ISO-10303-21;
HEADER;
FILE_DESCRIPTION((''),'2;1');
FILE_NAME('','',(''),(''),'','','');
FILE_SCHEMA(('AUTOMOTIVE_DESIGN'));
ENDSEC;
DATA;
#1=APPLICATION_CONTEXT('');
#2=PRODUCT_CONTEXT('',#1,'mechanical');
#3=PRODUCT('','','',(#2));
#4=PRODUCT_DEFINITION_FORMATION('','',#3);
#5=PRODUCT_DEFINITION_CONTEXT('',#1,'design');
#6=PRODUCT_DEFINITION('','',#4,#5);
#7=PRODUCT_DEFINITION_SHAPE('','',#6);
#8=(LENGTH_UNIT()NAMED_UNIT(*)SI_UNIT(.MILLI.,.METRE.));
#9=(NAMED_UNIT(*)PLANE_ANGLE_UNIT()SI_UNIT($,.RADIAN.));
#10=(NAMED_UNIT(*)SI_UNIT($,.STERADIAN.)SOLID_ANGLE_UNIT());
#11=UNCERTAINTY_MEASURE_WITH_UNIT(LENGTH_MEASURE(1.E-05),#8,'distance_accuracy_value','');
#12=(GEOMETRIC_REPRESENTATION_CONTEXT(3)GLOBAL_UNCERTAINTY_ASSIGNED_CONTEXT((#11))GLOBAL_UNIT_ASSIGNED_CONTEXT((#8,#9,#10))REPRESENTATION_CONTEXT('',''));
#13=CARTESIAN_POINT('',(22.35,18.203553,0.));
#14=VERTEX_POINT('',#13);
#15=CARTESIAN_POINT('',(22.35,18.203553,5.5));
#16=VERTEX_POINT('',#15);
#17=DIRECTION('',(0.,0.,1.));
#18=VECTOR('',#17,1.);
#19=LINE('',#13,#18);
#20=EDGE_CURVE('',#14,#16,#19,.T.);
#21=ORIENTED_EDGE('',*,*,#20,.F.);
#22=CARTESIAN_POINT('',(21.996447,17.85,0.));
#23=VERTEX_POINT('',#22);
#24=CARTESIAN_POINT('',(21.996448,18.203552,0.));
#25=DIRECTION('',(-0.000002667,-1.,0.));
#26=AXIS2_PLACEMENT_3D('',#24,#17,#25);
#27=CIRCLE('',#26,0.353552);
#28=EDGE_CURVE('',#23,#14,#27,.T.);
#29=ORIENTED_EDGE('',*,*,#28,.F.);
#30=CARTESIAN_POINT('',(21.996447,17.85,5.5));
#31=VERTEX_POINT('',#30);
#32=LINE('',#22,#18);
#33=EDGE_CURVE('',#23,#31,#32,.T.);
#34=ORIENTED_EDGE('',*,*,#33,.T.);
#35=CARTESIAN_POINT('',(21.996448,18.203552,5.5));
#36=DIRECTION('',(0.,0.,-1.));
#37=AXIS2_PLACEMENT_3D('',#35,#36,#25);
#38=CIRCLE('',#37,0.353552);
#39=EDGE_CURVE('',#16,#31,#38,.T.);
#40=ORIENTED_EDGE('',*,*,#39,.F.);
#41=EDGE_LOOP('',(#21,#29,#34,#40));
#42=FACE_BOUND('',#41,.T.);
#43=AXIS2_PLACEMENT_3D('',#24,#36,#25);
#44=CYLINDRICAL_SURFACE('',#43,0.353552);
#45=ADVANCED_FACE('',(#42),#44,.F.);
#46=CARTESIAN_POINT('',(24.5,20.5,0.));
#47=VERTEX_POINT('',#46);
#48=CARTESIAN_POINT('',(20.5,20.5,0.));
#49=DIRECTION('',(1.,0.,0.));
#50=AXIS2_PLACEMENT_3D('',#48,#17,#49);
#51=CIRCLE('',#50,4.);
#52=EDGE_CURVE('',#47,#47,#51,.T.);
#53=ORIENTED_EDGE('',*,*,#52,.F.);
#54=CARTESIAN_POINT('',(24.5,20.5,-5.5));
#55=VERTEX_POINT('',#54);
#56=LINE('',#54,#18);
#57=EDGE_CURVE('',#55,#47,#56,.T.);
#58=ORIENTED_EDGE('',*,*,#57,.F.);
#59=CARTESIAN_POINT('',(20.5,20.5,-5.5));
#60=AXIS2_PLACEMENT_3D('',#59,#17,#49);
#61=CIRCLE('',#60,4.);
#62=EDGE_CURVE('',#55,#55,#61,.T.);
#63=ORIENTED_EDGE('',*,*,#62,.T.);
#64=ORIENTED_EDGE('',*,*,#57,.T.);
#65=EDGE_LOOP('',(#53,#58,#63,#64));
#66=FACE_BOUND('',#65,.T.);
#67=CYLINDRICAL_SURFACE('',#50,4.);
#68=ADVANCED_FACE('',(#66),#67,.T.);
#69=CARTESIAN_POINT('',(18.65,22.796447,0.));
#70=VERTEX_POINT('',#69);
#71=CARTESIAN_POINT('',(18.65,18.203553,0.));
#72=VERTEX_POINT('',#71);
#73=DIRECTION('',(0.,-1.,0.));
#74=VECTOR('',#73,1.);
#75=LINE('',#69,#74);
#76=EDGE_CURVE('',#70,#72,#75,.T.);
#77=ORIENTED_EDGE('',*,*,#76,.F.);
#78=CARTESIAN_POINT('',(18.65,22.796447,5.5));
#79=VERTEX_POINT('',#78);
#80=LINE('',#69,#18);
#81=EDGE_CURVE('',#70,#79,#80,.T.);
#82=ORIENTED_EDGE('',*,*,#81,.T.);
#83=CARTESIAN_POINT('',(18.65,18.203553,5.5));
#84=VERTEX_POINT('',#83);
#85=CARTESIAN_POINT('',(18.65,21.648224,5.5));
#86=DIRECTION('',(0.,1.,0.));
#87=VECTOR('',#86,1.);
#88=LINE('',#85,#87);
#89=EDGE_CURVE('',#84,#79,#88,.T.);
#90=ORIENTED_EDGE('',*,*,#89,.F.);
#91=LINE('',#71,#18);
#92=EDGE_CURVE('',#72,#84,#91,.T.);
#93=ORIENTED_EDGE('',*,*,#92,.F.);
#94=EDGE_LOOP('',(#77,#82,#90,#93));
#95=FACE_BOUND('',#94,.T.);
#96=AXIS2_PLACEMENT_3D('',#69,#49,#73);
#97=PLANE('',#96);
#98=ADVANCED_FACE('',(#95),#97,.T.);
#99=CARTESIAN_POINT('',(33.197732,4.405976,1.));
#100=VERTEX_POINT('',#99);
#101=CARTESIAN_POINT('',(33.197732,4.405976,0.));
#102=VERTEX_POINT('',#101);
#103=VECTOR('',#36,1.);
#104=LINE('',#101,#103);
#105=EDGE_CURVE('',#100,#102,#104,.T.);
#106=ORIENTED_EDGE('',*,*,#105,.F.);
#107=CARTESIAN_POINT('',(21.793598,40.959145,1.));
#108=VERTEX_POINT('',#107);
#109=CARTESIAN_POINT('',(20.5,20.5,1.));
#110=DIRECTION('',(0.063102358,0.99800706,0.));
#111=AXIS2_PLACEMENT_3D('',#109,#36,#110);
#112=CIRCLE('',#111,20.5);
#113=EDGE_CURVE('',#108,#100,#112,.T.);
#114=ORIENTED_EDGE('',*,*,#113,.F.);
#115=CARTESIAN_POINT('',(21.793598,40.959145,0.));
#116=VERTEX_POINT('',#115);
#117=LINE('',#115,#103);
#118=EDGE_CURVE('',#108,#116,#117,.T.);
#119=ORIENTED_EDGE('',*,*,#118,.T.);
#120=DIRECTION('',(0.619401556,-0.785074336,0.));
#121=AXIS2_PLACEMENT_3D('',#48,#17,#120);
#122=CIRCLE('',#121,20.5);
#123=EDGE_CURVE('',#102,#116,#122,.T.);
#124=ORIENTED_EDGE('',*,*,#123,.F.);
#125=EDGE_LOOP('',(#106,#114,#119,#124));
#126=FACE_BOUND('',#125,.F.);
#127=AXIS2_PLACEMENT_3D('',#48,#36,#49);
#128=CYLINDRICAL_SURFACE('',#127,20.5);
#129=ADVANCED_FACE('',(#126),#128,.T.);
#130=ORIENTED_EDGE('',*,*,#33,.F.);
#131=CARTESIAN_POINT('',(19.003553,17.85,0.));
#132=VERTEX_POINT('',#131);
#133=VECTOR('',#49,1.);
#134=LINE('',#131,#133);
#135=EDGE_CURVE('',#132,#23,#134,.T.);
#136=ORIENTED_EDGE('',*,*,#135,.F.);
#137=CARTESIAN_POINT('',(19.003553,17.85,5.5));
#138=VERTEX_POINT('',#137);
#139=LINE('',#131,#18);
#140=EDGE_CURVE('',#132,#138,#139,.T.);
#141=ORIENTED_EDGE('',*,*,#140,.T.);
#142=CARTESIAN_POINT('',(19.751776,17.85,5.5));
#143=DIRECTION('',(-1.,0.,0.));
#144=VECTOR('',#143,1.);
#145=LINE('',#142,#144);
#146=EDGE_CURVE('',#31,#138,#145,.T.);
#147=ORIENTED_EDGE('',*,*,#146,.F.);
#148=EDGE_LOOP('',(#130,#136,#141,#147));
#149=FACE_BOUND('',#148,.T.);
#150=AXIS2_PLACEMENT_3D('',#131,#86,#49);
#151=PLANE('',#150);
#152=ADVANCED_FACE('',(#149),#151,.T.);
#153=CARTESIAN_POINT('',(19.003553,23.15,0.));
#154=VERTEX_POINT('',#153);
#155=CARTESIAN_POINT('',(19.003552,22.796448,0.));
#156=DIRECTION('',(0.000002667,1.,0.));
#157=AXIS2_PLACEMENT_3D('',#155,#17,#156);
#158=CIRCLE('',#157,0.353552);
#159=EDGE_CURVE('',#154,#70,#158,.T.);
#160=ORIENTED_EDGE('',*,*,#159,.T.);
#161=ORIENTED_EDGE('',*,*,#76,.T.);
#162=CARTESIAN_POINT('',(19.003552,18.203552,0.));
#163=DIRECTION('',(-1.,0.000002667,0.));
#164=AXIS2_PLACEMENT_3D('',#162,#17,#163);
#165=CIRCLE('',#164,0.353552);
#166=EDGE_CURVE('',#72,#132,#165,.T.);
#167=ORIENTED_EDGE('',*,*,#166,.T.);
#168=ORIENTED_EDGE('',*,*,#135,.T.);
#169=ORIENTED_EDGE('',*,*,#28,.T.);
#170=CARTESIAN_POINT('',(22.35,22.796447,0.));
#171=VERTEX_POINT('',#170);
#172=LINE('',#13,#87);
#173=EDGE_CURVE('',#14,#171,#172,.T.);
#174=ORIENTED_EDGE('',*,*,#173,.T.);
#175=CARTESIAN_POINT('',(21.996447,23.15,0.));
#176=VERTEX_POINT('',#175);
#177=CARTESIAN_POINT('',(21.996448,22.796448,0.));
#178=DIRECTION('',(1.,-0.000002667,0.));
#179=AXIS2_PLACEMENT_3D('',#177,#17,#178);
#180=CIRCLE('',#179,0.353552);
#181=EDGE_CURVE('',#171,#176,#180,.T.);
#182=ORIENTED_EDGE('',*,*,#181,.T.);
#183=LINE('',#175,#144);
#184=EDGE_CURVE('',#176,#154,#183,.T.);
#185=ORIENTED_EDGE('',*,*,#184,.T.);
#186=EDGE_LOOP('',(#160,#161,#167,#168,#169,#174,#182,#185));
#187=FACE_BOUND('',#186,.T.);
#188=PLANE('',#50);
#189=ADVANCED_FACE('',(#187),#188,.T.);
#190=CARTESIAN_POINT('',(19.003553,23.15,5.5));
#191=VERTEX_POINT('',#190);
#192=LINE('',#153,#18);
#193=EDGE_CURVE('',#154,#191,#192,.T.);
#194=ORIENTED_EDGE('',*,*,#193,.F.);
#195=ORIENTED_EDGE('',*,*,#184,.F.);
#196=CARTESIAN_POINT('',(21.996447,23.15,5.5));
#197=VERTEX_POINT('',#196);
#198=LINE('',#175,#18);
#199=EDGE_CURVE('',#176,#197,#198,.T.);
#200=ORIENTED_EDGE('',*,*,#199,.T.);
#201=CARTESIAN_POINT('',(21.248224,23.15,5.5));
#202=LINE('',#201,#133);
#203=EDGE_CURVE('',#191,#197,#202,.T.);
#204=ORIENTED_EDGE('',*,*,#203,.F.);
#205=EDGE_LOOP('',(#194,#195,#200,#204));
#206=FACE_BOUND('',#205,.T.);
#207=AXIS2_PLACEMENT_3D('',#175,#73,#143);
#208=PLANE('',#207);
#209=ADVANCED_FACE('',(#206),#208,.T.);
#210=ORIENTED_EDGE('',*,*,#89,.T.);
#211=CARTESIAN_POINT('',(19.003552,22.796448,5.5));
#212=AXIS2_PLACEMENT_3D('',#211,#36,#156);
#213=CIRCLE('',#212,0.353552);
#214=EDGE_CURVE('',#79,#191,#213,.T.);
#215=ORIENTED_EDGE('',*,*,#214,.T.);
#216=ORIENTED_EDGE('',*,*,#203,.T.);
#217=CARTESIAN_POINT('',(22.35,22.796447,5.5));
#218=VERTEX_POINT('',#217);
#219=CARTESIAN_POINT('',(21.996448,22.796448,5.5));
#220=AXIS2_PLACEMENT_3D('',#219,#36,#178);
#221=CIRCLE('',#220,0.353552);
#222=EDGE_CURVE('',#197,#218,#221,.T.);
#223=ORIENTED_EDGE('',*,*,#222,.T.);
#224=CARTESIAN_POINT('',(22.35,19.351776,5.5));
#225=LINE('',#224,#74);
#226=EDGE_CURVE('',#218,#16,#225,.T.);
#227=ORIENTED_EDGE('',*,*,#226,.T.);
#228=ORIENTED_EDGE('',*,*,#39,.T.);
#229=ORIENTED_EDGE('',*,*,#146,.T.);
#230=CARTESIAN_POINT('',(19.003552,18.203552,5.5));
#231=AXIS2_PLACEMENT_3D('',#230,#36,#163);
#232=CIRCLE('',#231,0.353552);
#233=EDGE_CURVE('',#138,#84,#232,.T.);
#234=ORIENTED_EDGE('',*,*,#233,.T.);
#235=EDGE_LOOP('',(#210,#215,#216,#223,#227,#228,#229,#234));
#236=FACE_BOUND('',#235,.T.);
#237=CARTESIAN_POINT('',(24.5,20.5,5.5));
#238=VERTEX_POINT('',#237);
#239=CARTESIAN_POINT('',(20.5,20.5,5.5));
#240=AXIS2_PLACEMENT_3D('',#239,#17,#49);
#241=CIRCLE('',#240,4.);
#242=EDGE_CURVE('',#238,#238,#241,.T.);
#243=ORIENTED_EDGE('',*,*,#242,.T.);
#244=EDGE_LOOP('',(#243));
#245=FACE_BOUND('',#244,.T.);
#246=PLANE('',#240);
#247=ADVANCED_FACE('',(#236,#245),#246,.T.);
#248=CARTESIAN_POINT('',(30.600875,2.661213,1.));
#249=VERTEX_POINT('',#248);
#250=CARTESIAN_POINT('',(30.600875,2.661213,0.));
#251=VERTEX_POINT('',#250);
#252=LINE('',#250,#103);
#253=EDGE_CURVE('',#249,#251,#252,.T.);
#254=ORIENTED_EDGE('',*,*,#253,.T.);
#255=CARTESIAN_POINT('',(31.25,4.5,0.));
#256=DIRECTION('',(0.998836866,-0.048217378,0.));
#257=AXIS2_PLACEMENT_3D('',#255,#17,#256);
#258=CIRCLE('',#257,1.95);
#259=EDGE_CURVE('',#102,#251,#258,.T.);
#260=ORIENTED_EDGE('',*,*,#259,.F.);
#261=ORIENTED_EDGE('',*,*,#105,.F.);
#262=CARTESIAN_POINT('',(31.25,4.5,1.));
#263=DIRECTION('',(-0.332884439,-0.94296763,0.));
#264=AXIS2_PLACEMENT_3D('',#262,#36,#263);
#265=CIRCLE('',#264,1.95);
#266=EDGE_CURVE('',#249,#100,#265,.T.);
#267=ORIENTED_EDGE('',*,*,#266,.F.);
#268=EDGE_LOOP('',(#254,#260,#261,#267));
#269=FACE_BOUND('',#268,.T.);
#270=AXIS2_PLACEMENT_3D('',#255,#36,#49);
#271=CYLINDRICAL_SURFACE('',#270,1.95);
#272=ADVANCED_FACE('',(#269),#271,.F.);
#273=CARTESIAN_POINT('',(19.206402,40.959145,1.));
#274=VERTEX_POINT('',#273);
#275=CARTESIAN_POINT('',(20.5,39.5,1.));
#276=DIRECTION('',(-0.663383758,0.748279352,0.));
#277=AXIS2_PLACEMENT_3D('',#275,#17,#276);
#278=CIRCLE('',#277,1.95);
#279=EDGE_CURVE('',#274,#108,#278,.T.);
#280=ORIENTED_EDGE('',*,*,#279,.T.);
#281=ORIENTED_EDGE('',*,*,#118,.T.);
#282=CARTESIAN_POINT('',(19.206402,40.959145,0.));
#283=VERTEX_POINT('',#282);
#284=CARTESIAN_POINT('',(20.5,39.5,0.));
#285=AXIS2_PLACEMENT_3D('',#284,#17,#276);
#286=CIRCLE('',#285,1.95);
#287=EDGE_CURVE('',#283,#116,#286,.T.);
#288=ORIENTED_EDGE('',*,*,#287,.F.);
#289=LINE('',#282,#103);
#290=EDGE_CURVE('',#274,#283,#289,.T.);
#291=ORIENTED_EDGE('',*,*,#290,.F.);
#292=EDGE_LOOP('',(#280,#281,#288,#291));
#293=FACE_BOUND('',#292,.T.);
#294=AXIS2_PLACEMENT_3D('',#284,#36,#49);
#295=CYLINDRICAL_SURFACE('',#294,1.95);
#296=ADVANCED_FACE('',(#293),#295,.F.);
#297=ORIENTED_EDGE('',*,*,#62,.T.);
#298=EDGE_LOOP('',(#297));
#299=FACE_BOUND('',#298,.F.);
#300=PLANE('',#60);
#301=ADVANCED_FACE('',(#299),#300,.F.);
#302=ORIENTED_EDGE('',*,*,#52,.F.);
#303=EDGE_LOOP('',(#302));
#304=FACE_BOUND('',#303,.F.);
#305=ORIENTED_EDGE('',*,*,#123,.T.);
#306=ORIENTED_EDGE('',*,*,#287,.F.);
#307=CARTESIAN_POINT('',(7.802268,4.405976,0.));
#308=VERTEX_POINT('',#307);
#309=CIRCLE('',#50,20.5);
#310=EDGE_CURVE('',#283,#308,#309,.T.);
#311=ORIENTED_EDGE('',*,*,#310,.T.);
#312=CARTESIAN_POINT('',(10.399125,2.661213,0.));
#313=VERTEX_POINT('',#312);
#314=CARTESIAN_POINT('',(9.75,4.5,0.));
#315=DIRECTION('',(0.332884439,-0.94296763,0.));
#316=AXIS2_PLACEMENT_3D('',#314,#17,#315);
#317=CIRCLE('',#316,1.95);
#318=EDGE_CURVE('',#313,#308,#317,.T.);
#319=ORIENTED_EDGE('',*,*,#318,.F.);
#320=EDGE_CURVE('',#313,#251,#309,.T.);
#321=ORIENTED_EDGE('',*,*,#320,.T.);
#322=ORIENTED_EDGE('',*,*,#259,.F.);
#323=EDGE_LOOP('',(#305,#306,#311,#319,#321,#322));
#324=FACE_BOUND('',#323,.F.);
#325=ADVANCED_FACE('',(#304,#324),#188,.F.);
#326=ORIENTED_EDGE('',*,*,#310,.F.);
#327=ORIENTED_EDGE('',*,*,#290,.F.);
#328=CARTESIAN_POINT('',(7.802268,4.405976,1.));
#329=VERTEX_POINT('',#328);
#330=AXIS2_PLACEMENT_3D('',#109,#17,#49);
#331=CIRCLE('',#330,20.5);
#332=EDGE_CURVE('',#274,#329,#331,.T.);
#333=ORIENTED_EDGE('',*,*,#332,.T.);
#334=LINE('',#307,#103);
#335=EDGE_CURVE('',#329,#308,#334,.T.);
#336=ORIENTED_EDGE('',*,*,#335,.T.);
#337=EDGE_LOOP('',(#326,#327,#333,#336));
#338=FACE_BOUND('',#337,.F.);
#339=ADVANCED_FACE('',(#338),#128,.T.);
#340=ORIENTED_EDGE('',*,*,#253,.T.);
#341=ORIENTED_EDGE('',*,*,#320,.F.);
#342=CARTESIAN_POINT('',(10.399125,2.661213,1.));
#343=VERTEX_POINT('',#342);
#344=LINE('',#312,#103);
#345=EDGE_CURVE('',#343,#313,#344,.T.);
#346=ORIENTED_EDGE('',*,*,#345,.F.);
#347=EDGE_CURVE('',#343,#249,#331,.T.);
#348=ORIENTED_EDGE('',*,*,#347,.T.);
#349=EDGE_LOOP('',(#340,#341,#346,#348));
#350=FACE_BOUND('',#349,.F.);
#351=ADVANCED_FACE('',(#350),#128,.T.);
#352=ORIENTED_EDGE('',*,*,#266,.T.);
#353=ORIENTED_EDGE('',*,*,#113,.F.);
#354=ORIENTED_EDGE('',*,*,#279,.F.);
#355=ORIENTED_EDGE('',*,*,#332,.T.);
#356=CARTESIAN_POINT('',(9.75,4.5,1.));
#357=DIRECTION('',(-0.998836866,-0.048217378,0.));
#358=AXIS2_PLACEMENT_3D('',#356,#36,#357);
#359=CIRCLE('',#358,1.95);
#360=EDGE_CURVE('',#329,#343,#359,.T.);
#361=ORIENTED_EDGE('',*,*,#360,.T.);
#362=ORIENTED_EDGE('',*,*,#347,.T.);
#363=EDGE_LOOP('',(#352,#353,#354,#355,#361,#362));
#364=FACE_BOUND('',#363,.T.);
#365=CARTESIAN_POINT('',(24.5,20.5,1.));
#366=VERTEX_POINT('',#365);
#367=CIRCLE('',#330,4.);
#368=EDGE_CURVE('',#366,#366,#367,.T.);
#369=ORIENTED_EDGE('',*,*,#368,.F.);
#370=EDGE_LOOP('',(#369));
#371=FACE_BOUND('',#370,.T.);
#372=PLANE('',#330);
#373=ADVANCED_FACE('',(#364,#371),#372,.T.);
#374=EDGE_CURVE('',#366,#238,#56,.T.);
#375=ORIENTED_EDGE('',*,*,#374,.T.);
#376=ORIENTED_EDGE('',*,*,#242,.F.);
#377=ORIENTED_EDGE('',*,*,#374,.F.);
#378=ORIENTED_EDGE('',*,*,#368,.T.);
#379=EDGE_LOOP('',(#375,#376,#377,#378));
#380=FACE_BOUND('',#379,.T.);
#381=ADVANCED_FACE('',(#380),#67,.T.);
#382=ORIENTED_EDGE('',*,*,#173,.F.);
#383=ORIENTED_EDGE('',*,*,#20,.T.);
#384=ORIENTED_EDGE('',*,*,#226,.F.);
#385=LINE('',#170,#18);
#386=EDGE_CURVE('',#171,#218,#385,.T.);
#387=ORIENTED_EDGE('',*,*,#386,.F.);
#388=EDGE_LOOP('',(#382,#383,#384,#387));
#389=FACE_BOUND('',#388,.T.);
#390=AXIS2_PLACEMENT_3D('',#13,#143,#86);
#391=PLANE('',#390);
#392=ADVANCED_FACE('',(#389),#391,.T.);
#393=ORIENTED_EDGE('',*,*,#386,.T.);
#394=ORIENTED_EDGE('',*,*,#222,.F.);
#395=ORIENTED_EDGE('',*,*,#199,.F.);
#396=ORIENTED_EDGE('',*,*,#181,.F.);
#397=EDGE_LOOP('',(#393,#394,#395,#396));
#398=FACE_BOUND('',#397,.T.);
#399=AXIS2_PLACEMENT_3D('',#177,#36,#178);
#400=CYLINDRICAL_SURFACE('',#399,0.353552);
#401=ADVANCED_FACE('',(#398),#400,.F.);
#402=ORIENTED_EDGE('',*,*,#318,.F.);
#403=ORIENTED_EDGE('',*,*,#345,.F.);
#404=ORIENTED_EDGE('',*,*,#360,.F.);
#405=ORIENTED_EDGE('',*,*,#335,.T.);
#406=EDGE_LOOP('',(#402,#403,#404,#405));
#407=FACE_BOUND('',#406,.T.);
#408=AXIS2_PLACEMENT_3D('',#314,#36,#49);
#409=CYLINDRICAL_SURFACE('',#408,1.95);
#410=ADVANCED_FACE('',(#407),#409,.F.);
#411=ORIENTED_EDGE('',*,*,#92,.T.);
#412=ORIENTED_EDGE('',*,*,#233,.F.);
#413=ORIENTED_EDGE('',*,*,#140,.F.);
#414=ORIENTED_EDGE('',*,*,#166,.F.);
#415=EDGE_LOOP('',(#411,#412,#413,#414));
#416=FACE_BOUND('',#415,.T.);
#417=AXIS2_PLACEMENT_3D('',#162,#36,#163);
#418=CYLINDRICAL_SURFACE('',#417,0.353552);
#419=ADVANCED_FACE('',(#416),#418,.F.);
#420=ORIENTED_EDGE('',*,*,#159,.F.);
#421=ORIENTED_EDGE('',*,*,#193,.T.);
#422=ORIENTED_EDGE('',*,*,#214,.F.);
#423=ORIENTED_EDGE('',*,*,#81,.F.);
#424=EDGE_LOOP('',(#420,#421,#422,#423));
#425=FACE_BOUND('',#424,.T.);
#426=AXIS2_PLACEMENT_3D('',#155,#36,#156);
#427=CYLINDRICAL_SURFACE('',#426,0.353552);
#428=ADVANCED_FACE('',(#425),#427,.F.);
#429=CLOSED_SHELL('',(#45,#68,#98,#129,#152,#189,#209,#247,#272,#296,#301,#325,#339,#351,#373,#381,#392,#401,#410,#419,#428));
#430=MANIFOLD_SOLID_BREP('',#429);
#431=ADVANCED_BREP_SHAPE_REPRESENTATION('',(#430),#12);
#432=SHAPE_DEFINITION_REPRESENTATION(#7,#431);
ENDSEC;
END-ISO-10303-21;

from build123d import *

# Parameters (mm, degrees)
SKETCH_R     = 20.5
PAD_DEPTH    = 1
SKETCH002_R  = 1.95
HOLE_DEPTH   = 1.001
SKETCH003_R  = 4
PAD001_DEPTH = 5.5
POCKET_DEPTH = 5.501


with BuildPart() as part:
    # Sketch → Pad (new body)
    with BuildSketch(Plane.XY):
        with Locations((20.5, 20.5)):
            Circle(SKETCH_R)
    extrude(amount=PAD_DEPTH)

    # Sketch002 → Hole (cut, through all)
    with BuildSketch(Plane.XY):
        with Locations((9.75, 4.5)):
            Circle(SKETCH002_R)
        with Locations((31.25, 4.5)):
            Circle(SKETCH002_R)
        with Locations((20.5, 39.5)):
            Circle(SKETCH002_R)
    extrude(amount=HOLE_DEPTH, mode=Mode.SUBTRACT)

    # Sketch003 → Pad001 (join, symmetric)
    with BuildSketch(Plane.XY):
        with Locations((20.5, 20.5)):
            Circle(SKETCH003_R)
    extrude(amount=PAD001_DEPTH, both=True)

    # Sketch004 → Pocket (cut, through all)
    with BuildSketch(Plane.XY):
        with BuildLine():
            Line((18.65, 22.796447), (18.65, 18.203553))
            ThreePointArc((18.65, 18.203553), (18.753553, 17.953553), (19.003553, 17.85))
            Line((19.003553, 17.85), (21.996447, 17.85))
            ThreePointArc((21.996447, 17.85), (22.246447, 17.953553), (22.35, 18.203553))
            Line((22.35, 18.203553), (22.35, 22.796447))
            ThreePointArc((22.35, 22.796447), (22.246447, 23.046447), (21.996447, 23.15))
            Line((21.996447, 23.15), (19.003553, 23.15))
            ThreePointArc((19.003553, 23.15), (18.753553, 23.046447), (18.65, 22.796447))
        make_face()
    extrude(amount=POCKET_DEPTH, mode=Mode.SUBTRACT)


solid = part.part
